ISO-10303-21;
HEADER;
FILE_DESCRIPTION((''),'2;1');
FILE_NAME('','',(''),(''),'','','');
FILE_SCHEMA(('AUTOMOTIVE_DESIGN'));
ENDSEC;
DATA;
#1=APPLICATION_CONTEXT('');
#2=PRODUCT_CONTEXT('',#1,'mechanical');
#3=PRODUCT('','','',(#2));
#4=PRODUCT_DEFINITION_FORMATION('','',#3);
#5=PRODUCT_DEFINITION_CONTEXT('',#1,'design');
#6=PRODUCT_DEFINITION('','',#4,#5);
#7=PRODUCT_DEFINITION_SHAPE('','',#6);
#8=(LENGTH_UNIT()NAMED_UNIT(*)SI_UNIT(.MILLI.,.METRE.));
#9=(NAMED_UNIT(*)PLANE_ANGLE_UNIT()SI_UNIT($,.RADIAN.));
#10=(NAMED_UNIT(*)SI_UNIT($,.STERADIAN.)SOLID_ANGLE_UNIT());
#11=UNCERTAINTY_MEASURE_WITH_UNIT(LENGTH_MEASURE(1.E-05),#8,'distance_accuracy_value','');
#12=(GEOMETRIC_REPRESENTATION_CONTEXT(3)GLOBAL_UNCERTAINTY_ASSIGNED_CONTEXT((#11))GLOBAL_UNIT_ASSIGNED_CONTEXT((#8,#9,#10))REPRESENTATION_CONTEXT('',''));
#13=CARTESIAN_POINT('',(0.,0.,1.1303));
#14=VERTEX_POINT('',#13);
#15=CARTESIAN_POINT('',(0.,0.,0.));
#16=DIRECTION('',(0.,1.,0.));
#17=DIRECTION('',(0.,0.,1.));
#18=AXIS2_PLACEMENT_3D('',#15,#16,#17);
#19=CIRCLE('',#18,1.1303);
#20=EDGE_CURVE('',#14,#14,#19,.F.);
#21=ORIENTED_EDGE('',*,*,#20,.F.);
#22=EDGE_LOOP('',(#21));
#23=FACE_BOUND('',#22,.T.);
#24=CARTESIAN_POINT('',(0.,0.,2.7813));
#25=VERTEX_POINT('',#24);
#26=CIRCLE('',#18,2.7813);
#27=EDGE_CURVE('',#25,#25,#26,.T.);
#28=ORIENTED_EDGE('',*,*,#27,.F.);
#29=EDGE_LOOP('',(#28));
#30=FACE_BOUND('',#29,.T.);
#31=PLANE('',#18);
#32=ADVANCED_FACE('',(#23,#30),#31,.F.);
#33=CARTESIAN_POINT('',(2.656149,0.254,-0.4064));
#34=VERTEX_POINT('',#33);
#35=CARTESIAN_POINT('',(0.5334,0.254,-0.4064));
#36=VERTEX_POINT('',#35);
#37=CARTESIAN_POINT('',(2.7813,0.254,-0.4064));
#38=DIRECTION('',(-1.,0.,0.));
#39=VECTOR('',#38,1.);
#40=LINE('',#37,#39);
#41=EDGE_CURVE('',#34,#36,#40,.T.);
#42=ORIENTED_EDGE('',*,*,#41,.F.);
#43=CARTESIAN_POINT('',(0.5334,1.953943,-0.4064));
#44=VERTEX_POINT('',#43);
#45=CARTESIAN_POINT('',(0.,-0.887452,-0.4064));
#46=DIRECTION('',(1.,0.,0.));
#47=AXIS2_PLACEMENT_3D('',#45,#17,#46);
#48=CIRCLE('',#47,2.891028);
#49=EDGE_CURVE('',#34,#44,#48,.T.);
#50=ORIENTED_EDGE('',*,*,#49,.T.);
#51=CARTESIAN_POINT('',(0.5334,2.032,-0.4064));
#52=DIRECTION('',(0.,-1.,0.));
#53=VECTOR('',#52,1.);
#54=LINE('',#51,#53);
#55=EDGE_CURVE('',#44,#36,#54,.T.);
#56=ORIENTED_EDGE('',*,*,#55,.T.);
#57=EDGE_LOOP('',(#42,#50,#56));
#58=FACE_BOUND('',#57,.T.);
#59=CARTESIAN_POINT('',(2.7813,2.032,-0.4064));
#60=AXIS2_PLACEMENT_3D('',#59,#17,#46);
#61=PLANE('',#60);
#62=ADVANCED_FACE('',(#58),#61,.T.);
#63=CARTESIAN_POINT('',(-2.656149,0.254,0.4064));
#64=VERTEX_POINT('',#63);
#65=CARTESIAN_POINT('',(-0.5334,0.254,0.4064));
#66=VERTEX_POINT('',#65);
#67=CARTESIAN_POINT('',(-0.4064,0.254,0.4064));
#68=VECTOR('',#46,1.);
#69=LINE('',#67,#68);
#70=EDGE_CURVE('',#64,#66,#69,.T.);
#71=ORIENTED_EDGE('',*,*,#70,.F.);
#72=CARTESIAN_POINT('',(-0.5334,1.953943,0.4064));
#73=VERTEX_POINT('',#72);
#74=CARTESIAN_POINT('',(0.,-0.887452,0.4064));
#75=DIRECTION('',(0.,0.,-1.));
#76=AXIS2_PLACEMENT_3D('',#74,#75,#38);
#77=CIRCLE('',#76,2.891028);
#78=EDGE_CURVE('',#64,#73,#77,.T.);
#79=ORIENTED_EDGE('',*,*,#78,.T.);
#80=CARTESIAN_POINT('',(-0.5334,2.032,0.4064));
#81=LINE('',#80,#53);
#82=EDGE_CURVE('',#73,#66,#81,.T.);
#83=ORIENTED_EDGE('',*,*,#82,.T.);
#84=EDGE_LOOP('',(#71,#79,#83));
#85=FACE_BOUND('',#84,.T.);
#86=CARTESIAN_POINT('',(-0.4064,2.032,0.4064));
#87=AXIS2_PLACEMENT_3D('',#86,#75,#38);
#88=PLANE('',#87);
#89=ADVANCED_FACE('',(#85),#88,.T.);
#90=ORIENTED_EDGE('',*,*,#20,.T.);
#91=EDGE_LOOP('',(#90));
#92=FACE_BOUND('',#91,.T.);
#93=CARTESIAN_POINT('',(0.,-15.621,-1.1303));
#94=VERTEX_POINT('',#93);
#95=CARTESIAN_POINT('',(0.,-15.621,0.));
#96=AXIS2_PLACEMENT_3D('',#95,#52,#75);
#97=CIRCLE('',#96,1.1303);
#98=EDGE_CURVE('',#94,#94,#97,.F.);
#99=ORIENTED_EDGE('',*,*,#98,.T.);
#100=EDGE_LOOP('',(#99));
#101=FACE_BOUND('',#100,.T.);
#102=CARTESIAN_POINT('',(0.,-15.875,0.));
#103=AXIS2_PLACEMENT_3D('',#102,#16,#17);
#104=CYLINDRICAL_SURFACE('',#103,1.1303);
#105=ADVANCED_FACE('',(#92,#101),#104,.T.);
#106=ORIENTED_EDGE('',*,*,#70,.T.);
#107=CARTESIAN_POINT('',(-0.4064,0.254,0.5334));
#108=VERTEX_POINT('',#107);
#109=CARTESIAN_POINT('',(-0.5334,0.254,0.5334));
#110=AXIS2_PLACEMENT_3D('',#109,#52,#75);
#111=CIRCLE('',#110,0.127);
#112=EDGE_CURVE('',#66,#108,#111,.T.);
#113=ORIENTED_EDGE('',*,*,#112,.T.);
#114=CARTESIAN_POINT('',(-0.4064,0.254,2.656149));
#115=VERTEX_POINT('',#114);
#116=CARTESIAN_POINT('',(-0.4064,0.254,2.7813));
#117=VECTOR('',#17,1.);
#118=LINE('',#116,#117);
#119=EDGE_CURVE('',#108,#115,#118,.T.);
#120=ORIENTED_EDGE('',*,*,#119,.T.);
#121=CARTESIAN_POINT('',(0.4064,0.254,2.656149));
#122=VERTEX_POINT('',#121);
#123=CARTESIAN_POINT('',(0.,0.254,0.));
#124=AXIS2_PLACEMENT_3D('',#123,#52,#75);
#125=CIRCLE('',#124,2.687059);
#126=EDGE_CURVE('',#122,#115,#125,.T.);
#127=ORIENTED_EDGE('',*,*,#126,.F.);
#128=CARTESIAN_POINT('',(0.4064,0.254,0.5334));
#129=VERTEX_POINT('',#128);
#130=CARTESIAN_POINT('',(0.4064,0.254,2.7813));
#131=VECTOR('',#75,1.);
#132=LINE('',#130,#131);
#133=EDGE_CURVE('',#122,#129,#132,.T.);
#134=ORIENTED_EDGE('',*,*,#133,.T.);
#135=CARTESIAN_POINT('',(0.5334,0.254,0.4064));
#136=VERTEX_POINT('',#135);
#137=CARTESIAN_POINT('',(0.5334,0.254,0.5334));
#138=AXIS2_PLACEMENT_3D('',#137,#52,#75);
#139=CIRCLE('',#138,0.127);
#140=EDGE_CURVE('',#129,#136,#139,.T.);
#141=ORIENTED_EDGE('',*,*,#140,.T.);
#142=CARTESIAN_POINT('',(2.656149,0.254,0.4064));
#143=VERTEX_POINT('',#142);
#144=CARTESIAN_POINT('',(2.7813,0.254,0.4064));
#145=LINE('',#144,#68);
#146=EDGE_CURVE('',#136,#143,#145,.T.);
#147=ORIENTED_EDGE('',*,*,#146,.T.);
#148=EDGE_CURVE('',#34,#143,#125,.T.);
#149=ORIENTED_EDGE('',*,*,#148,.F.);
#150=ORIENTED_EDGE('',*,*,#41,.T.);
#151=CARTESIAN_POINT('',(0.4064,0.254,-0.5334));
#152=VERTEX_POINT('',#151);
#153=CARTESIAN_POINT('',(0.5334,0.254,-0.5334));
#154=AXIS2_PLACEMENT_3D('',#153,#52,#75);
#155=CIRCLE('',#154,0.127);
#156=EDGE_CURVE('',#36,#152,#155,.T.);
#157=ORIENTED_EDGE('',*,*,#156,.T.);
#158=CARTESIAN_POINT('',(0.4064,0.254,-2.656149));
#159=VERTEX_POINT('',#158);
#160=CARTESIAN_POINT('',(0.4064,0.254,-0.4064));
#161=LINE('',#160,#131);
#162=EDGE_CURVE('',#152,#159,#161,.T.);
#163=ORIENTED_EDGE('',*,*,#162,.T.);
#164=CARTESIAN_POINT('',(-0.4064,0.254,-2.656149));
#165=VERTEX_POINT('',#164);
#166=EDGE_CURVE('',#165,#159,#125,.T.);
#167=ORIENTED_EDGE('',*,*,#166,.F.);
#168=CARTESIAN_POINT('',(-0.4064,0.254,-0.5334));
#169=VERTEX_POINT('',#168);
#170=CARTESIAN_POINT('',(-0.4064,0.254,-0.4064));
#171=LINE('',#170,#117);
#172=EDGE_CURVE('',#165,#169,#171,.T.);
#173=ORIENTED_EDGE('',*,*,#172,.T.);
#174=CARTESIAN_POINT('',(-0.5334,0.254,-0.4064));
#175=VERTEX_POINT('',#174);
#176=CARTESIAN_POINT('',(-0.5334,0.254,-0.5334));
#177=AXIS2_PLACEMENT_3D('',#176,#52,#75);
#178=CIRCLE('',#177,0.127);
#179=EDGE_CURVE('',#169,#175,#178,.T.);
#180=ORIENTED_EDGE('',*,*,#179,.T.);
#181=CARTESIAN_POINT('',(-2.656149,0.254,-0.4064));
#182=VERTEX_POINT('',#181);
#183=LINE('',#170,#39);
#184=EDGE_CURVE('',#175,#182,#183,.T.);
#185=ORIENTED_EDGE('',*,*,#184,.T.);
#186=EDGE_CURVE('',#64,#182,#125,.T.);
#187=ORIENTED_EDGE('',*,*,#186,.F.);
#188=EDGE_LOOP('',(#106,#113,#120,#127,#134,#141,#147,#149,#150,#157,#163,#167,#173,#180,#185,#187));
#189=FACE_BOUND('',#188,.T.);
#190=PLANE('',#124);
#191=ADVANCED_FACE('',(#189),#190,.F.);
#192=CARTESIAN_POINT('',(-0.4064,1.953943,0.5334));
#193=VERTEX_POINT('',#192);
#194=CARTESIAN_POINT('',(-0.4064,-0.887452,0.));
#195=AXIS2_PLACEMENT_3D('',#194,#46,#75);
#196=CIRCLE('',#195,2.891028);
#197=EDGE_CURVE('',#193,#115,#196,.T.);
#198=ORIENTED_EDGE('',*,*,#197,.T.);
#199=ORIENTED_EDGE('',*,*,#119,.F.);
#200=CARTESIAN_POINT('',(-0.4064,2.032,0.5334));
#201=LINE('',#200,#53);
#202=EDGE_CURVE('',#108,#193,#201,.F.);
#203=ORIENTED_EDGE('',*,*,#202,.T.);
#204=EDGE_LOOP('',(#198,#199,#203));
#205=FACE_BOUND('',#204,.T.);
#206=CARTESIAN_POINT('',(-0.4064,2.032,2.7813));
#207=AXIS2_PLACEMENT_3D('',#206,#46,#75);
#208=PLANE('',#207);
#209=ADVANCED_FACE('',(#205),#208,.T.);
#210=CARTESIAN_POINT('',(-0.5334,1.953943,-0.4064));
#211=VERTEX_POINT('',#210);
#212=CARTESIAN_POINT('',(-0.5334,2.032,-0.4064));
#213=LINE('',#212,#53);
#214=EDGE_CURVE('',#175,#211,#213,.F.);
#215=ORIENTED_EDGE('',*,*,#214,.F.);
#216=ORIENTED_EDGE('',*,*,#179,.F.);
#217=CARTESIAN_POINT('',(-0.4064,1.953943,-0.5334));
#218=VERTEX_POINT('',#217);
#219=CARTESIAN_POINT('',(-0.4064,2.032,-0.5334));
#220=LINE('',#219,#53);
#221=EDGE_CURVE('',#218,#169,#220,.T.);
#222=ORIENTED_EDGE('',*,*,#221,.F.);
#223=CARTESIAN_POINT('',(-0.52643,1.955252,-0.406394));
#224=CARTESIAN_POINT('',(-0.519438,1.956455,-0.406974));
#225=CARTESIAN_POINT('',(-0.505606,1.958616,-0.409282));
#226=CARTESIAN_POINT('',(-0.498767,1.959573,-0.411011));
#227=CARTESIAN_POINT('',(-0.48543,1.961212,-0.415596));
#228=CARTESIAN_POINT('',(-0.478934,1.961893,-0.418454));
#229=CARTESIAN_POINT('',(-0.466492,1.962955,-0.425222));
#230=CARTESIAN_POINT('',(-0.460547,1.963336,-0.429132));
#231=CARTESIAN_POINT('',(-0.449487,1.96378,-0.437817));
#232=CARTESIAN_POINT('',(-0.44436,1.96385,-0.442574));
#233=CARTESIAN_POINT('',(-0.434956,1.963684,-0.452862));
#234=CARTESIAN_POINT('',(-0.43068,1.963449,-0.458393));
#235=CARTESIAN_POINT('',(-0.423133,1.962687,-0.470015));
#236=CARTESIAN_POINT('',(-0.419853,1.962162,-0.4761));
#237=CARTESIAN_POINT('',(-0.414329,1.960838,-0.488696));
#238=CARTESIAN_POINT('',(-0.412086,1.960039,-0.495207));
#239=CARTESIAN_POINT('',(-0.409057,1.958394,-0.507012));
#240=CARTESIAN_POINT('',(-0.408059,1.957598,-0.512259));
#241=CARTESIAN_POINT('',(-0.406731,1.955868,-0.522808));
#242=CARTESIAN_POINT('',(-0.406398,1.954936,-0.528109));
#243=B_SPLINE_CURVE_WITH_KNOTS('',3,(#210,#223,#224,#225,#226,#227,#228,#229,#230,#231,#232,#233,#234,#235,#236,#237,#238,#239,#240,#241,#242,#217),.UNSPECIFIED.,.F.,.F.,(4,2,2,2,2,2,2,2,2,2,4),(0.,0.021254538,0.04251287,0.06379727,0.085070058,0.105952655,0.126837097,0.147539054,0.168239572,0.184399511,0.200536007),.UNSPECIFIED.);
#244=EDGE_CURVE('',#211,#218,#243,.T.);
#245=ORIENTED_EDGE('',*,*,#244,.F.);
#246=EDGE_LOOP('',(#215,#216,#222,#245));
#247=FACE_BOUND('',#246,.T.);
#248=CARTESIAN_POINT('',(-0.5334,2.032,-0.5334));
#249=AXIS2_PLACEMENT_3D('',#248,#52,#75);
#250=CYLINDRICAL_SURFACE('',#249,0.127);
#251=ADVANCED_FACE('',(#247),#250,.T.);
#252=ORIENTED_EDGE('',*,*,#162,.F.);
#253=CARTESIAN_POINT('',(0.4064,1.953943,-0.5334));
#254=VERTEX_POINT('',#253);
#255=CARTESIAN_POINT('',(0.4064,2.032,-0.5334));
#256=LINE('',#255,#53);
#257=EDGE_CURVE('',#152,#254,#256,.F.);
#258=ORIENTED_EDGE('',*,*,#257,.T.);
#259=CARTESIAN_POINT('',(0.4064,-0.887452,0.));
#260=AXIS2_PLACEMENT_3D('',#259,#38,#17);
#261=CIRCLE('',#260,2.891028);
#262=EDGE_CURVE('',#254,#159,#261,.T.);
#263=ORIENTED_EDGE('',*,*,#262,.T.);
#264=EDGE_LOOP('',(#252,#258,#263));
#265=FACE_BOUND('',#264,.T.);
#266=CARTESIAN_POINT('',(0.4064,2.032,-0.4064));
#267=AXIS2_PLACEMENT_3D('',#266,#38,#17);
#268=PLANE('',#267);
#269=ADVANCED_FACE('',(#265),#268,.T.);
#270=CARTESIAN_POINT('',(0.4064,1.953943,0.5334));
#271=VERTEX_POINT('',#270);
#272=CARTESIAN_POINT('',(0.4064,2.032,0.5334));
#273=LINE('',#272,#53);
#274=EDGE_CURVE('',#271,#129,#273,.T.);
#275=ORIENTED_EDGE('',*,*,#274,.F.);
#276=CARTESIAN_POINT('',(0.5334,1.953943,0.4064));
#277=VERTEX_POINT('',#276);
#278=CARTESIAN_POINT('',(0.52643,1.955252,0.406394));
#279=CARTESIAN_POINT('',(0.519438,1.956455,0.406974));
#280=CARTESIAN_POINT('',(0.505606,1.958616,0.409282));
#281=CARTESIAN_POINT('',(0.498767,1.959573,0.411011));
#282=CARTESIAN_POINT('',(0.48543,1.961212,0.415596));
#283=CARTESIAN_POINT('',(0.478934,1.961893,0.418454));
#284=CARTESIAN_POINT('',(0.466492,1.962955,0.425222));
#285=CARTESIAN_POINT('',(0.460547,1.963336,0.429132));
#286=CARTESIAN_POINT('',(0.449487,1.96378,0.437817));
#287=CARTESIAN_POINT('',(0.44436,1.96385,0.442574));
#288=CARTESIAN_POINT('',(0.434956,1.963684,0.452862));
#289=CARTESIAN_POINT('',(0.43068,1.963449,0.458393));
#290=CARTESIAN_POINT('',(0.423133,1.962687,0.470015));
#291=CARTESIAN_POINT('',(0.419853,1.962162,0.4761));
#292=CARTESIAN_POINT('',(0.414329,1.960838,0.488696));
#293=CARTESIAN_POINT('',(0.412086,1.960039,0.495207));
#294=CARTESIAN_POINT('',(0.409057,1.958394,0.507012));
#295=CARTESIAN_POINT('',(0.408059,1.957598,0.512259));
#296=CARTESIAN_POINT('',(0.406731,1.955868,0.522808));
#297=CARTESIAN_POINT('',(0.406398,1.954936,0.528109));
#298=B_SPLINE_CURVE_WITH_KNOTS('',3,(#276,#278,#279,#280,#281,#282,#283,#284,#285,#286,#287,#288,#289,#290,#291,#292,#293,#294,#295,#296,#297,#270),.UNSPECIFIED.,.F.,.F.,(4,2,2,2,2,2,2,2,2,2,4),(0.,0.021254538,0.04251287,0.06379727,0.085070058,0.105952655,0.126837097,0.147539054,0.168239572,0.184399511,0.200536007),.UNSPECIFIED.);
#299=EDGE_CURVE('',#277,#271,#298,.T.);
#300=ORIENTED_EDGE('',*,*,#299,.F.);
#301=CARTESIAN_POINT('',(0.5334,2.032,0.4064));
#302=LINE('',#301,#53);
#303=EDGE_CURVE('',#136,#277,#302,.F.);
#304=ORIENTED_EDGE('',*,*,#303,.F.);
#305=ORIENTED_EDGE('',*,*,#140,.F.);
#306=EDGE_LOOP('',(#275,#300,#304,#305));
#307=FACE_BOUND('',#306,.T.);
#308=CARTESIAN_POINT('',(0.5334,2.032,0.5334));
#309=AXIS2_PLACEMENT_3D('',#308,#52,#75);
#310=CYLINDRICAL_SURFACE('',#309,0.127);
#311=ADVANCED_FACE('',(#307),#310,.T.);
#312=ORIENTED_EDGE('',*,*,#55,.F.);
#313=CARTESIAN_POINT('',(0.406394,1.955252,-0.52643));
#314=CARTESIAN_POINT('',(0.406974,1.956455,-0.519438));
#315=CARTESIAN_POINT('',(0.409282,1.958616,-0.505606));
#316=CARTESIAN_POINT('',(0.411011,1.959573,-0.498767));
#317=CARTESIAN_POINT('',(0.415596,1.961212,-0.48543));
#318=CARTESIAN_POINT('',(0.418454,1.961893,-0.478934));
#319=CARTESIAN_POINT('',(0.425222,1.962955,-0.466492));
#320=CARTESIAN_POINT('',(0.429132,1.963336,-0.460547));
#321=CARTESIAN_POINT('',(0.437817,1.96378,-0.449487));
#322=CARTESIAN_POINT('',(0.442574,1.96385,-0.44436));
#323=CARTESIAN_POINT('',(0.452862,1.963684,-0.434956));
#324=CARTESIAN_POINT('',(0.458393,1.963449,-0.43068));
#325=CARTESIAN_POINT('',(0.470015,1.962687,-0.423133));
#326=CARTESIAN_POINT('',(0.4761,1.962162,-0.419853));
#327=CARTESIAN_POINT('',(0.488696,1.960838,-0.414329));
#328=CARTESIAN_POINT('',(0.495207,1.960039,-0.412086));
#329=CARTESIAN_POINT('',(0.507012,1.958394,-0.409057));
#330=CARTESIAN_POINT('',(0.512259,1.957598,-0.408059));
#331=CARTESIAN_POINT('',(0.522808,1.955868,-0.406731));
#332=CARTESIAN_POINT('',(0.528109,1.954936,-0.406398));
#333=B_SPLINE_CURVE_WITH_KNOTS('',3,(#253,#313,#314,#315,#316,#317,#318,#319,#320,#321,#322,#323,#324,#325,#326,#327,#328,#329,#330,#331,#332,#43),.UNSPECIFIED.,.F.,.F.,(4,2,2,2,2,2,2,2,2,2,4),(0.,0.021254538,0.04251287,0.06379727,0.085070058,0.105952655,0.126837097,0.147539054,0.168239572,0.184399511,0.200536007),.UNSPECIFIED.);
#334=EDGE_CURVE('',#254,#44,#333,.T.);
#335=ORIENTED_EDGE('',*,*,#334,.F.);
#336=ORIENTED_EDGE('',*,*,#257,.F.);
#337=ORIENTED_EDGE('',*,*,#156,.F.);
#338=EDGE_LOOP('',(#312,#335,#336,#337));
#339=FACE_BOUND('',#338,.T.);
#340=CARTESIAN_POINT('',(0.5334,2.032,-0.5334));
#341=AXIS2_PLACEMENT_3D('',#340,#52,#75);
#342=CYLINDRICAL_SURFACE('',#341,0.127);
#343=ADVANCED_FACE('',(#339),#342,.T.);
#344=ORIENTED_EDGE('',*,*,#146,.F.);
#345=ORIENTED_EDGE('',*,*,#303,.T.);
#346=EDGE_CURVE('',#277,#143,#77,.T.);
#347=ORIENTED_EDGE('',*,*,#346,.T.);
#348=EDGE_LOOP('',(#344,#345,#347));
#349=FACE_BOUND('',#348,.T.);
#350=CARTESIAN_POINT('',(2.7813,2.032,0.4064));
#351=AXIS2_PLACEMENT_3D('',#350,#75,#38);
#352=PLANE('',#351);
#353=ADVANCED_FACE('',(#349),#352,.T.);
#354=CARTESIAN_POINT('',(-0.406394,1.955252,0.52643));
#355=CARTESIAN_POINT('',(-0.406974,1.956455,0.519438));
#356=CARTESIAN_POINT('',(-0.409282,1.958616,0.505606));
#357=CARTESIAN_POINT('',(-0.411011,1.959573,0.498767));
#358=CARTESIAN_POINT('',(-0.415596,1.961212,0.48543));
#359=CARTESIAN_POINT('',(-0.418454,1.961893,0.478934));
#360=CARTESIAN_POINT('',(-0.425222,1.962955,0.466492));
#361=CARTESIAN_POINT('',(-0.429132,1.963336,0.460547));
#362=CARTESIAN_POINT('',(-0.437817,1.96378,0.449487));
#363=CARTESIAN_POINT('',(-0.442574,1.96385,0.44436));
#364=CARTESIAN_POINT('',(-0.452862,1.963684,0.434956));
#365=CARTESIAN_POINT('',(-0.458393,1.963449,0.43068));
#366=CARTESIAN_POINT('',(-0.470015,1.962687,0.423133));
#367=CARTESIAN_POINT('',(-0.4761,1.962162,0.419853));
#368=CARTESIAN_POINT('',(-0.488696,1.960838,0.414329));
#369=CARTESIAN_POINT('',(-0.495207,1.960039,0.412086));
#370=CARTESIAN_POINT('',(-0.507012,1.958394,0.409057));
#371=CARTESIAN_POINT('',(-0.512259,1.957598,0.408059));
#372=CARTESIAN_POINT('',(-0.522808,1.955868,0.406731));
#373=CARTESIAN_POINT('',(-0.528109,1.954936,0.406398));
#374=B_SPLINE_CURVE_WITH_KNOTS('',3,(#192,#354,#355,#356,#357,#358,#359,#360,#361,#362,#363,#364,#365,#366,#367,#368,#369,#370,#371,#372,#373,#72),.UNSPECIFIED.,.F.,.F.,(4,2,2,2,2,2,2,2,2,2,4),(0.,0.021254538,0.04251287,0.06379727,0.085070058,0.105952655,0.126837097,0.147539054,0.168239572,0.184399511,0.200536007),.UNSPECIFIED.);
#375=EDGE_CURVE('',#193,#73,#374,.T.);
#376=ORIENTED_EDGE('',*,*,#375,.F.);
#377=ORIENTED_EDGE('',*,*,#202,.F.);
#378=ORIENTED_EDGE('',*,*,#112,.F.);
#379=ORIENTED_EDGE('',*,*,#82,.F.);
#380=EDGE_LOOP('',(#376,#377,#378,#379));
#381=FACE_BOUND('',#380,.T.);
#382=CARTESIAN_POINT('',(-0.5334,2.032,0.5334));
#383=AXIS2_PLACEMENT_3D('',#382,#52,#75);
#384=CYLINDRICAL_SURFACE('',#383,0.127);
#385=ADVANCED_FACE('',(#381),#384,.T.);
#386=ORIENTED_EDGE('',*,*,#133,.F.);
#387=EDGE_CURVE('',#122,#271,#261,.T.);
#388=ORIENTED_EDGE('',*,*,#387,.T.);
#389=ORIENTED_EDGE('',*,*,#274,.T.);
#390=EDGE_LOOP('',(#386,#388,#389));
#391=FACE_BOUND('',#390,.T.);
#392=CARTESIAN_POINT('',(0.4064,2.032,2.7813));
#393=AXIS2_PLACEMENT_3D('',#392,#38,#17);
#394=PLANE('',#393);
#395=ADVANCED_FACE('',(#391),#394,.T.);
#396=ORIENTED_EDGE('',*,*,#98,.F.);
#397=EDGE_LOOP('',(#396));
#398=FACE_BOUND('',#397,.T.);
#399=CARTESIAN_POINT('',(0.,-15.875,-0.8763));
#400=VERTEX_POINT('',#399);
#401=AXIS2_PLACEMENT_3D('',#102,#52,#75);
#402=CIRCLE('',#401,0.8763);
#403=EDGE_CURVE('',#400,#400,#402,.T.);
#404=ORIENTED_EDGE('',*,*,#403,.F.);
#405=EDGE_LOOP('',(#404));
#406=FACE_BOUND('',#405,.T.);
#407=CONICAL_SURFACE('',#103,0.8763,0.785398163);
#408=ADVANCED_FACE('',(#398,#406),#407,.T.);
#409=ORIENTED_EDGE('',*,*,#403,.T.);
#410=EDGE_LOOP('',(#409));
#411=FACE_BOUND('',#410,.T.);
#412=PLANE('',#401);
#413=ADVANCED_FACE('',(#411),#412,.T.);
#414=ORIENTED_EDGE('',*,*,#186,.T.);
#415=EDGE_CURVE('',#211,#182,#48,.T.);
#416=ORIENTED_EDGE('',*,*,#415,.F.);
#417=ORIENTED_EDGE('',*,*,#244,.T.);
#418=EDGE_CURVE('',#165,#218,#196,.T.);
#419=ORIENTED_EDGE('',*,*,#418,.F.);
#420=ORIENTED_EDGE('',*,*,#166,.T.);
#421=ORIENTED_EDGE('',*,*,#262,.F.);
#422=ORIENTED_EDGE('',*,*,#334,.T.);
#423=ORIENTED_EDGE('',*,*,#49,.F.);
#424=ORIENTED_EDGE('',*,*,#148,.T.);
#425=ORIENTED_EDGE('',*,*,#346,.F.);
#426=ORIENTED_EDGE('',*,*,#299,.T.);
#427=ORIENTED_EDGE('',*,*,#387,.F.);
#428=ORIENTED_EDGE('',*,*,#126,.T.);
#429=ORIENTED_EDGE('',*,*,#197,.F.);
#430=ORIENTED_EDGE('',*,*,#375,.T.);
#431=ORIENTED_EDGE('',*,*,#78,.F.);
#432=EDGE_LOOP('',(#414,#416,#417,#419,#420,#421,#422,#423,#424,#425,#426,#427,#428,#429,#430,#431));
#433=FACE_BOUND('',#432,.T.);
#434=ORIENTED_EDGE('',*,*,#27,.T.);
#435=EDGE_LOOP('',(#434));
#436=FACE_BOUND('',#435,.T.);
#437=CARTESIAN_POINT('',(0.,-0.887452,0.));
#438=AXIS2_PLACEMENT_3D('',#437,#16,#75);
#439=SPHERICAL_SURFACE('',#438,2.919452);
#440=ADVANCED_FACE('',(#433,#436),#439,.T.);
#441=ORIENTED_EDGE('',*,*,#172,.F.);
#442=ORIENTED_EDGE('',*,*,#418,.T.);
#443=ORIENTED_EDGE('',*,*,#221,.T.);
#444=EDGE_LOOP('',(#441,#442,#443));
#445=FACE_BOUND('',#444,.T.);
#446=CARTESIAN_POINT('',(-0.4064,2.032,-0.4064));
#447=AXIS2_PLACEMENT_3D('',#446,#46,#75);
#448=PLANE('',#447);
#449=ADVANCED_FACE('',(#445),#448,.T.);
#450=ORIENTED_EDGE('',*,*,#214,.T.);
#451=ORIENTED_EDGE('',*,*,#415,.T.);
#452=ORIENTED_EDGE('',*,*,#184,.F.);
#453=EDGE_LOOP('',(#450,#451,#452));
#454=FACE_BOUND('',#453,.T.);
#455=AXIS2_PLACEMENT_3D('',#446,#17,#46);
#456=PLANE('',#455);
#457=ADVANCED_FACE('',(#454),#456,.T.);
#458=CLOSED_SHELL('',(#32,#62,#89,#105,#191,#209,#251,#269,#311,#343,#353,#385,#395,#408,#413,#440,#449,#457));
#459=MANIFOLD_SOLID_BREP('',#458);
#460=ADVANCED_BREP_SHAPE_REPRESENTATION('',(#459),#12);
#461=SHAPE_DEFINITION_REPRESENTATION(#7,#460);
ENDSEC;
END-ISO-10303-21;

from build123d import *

# Parameters (mm, degrees)
SKETCH3_R        = 1.1303
SHAFT_DEPTH      = 15.875
TIP_SIZE         = 0.254
PHILLIPS_START   = 0.254
PHILLIPS_DEPTH   = 17.101026273
PHILLIPSFILLET_R = 0.127


with BuildPart() as part:
    # Sketch2 → Head (revolve)
    with BuildSketch(Plane(origin=(0, 0, 0), x_dir=(0, 0, -1), z_dir=(1, 0, 0))):
        with BuildLine():
            Line((0, 0), (2.7813, 0))
            ThreePointArc((2.7813, 0), (1.72225533, 1.469884796), (0, 2.032))
            Line((0, 2.032), (0, 0))
        make_face()
    revolve(axis=Axis((0, 0.415157056, 0), (0, -1, 0)))

    # Sketch3 → Shaft (add)
    with BuildSketch(Plane.XZ):
        with Locations(Location((0, 0, 0), (0, 0, 90))):
            Circle(SKETCH3_R)
    extrude(amount=SHAFT_DEPTH)

    # Tip
    tip_edges = [part.edges().sort_by_distance(p)[0] for p in [
        (0, -15.875, -1.1303),
    ]]
    chamfer(tip_edges, length=TIP_SIZE)

    # Sketch4 → Phillips (cut, through all)
    with BuildSketch(Plane(origin=(0, 0, 0), x_dir=(1, 0, 0), z_dir=(0, 1, 0)).offset(PHILLIPS_START)):
        Polygon((-0.4064, 0.4064), (-0.4064, 2.7813), (0.4064, 2.7813), (0.4064, 0.4064), (2.7813, 0.4064), (2.7813, -0.4064), (0.4064, -0.4064), (0.4064, -2.7813), (-0.4064, -2.7813), (-0.4064, -0.4064), (-2.7813, -0.4064), (-2.7813, 0.4064), align=None)
    extrude(amount=PHILLIPS_DEPTH, mode=Mode.SUBTRACT)

    # PhillipsFillet
    phillipsfillet_edges = [part.edges().sort_by_distance(p)[0] for p in [
        (0.4064, 1.114434201, -0.4064),
        (-0.4064, 1.114434201, -0.4064),
        (-0.4064, 1.114434201, 0.4064),
        (0.4064, 1.114434201, 0.4064),
    ]]
    fillet(phillipsfillet_edges, radius=PHILLIPSFILLET_R)


solid = part.part
